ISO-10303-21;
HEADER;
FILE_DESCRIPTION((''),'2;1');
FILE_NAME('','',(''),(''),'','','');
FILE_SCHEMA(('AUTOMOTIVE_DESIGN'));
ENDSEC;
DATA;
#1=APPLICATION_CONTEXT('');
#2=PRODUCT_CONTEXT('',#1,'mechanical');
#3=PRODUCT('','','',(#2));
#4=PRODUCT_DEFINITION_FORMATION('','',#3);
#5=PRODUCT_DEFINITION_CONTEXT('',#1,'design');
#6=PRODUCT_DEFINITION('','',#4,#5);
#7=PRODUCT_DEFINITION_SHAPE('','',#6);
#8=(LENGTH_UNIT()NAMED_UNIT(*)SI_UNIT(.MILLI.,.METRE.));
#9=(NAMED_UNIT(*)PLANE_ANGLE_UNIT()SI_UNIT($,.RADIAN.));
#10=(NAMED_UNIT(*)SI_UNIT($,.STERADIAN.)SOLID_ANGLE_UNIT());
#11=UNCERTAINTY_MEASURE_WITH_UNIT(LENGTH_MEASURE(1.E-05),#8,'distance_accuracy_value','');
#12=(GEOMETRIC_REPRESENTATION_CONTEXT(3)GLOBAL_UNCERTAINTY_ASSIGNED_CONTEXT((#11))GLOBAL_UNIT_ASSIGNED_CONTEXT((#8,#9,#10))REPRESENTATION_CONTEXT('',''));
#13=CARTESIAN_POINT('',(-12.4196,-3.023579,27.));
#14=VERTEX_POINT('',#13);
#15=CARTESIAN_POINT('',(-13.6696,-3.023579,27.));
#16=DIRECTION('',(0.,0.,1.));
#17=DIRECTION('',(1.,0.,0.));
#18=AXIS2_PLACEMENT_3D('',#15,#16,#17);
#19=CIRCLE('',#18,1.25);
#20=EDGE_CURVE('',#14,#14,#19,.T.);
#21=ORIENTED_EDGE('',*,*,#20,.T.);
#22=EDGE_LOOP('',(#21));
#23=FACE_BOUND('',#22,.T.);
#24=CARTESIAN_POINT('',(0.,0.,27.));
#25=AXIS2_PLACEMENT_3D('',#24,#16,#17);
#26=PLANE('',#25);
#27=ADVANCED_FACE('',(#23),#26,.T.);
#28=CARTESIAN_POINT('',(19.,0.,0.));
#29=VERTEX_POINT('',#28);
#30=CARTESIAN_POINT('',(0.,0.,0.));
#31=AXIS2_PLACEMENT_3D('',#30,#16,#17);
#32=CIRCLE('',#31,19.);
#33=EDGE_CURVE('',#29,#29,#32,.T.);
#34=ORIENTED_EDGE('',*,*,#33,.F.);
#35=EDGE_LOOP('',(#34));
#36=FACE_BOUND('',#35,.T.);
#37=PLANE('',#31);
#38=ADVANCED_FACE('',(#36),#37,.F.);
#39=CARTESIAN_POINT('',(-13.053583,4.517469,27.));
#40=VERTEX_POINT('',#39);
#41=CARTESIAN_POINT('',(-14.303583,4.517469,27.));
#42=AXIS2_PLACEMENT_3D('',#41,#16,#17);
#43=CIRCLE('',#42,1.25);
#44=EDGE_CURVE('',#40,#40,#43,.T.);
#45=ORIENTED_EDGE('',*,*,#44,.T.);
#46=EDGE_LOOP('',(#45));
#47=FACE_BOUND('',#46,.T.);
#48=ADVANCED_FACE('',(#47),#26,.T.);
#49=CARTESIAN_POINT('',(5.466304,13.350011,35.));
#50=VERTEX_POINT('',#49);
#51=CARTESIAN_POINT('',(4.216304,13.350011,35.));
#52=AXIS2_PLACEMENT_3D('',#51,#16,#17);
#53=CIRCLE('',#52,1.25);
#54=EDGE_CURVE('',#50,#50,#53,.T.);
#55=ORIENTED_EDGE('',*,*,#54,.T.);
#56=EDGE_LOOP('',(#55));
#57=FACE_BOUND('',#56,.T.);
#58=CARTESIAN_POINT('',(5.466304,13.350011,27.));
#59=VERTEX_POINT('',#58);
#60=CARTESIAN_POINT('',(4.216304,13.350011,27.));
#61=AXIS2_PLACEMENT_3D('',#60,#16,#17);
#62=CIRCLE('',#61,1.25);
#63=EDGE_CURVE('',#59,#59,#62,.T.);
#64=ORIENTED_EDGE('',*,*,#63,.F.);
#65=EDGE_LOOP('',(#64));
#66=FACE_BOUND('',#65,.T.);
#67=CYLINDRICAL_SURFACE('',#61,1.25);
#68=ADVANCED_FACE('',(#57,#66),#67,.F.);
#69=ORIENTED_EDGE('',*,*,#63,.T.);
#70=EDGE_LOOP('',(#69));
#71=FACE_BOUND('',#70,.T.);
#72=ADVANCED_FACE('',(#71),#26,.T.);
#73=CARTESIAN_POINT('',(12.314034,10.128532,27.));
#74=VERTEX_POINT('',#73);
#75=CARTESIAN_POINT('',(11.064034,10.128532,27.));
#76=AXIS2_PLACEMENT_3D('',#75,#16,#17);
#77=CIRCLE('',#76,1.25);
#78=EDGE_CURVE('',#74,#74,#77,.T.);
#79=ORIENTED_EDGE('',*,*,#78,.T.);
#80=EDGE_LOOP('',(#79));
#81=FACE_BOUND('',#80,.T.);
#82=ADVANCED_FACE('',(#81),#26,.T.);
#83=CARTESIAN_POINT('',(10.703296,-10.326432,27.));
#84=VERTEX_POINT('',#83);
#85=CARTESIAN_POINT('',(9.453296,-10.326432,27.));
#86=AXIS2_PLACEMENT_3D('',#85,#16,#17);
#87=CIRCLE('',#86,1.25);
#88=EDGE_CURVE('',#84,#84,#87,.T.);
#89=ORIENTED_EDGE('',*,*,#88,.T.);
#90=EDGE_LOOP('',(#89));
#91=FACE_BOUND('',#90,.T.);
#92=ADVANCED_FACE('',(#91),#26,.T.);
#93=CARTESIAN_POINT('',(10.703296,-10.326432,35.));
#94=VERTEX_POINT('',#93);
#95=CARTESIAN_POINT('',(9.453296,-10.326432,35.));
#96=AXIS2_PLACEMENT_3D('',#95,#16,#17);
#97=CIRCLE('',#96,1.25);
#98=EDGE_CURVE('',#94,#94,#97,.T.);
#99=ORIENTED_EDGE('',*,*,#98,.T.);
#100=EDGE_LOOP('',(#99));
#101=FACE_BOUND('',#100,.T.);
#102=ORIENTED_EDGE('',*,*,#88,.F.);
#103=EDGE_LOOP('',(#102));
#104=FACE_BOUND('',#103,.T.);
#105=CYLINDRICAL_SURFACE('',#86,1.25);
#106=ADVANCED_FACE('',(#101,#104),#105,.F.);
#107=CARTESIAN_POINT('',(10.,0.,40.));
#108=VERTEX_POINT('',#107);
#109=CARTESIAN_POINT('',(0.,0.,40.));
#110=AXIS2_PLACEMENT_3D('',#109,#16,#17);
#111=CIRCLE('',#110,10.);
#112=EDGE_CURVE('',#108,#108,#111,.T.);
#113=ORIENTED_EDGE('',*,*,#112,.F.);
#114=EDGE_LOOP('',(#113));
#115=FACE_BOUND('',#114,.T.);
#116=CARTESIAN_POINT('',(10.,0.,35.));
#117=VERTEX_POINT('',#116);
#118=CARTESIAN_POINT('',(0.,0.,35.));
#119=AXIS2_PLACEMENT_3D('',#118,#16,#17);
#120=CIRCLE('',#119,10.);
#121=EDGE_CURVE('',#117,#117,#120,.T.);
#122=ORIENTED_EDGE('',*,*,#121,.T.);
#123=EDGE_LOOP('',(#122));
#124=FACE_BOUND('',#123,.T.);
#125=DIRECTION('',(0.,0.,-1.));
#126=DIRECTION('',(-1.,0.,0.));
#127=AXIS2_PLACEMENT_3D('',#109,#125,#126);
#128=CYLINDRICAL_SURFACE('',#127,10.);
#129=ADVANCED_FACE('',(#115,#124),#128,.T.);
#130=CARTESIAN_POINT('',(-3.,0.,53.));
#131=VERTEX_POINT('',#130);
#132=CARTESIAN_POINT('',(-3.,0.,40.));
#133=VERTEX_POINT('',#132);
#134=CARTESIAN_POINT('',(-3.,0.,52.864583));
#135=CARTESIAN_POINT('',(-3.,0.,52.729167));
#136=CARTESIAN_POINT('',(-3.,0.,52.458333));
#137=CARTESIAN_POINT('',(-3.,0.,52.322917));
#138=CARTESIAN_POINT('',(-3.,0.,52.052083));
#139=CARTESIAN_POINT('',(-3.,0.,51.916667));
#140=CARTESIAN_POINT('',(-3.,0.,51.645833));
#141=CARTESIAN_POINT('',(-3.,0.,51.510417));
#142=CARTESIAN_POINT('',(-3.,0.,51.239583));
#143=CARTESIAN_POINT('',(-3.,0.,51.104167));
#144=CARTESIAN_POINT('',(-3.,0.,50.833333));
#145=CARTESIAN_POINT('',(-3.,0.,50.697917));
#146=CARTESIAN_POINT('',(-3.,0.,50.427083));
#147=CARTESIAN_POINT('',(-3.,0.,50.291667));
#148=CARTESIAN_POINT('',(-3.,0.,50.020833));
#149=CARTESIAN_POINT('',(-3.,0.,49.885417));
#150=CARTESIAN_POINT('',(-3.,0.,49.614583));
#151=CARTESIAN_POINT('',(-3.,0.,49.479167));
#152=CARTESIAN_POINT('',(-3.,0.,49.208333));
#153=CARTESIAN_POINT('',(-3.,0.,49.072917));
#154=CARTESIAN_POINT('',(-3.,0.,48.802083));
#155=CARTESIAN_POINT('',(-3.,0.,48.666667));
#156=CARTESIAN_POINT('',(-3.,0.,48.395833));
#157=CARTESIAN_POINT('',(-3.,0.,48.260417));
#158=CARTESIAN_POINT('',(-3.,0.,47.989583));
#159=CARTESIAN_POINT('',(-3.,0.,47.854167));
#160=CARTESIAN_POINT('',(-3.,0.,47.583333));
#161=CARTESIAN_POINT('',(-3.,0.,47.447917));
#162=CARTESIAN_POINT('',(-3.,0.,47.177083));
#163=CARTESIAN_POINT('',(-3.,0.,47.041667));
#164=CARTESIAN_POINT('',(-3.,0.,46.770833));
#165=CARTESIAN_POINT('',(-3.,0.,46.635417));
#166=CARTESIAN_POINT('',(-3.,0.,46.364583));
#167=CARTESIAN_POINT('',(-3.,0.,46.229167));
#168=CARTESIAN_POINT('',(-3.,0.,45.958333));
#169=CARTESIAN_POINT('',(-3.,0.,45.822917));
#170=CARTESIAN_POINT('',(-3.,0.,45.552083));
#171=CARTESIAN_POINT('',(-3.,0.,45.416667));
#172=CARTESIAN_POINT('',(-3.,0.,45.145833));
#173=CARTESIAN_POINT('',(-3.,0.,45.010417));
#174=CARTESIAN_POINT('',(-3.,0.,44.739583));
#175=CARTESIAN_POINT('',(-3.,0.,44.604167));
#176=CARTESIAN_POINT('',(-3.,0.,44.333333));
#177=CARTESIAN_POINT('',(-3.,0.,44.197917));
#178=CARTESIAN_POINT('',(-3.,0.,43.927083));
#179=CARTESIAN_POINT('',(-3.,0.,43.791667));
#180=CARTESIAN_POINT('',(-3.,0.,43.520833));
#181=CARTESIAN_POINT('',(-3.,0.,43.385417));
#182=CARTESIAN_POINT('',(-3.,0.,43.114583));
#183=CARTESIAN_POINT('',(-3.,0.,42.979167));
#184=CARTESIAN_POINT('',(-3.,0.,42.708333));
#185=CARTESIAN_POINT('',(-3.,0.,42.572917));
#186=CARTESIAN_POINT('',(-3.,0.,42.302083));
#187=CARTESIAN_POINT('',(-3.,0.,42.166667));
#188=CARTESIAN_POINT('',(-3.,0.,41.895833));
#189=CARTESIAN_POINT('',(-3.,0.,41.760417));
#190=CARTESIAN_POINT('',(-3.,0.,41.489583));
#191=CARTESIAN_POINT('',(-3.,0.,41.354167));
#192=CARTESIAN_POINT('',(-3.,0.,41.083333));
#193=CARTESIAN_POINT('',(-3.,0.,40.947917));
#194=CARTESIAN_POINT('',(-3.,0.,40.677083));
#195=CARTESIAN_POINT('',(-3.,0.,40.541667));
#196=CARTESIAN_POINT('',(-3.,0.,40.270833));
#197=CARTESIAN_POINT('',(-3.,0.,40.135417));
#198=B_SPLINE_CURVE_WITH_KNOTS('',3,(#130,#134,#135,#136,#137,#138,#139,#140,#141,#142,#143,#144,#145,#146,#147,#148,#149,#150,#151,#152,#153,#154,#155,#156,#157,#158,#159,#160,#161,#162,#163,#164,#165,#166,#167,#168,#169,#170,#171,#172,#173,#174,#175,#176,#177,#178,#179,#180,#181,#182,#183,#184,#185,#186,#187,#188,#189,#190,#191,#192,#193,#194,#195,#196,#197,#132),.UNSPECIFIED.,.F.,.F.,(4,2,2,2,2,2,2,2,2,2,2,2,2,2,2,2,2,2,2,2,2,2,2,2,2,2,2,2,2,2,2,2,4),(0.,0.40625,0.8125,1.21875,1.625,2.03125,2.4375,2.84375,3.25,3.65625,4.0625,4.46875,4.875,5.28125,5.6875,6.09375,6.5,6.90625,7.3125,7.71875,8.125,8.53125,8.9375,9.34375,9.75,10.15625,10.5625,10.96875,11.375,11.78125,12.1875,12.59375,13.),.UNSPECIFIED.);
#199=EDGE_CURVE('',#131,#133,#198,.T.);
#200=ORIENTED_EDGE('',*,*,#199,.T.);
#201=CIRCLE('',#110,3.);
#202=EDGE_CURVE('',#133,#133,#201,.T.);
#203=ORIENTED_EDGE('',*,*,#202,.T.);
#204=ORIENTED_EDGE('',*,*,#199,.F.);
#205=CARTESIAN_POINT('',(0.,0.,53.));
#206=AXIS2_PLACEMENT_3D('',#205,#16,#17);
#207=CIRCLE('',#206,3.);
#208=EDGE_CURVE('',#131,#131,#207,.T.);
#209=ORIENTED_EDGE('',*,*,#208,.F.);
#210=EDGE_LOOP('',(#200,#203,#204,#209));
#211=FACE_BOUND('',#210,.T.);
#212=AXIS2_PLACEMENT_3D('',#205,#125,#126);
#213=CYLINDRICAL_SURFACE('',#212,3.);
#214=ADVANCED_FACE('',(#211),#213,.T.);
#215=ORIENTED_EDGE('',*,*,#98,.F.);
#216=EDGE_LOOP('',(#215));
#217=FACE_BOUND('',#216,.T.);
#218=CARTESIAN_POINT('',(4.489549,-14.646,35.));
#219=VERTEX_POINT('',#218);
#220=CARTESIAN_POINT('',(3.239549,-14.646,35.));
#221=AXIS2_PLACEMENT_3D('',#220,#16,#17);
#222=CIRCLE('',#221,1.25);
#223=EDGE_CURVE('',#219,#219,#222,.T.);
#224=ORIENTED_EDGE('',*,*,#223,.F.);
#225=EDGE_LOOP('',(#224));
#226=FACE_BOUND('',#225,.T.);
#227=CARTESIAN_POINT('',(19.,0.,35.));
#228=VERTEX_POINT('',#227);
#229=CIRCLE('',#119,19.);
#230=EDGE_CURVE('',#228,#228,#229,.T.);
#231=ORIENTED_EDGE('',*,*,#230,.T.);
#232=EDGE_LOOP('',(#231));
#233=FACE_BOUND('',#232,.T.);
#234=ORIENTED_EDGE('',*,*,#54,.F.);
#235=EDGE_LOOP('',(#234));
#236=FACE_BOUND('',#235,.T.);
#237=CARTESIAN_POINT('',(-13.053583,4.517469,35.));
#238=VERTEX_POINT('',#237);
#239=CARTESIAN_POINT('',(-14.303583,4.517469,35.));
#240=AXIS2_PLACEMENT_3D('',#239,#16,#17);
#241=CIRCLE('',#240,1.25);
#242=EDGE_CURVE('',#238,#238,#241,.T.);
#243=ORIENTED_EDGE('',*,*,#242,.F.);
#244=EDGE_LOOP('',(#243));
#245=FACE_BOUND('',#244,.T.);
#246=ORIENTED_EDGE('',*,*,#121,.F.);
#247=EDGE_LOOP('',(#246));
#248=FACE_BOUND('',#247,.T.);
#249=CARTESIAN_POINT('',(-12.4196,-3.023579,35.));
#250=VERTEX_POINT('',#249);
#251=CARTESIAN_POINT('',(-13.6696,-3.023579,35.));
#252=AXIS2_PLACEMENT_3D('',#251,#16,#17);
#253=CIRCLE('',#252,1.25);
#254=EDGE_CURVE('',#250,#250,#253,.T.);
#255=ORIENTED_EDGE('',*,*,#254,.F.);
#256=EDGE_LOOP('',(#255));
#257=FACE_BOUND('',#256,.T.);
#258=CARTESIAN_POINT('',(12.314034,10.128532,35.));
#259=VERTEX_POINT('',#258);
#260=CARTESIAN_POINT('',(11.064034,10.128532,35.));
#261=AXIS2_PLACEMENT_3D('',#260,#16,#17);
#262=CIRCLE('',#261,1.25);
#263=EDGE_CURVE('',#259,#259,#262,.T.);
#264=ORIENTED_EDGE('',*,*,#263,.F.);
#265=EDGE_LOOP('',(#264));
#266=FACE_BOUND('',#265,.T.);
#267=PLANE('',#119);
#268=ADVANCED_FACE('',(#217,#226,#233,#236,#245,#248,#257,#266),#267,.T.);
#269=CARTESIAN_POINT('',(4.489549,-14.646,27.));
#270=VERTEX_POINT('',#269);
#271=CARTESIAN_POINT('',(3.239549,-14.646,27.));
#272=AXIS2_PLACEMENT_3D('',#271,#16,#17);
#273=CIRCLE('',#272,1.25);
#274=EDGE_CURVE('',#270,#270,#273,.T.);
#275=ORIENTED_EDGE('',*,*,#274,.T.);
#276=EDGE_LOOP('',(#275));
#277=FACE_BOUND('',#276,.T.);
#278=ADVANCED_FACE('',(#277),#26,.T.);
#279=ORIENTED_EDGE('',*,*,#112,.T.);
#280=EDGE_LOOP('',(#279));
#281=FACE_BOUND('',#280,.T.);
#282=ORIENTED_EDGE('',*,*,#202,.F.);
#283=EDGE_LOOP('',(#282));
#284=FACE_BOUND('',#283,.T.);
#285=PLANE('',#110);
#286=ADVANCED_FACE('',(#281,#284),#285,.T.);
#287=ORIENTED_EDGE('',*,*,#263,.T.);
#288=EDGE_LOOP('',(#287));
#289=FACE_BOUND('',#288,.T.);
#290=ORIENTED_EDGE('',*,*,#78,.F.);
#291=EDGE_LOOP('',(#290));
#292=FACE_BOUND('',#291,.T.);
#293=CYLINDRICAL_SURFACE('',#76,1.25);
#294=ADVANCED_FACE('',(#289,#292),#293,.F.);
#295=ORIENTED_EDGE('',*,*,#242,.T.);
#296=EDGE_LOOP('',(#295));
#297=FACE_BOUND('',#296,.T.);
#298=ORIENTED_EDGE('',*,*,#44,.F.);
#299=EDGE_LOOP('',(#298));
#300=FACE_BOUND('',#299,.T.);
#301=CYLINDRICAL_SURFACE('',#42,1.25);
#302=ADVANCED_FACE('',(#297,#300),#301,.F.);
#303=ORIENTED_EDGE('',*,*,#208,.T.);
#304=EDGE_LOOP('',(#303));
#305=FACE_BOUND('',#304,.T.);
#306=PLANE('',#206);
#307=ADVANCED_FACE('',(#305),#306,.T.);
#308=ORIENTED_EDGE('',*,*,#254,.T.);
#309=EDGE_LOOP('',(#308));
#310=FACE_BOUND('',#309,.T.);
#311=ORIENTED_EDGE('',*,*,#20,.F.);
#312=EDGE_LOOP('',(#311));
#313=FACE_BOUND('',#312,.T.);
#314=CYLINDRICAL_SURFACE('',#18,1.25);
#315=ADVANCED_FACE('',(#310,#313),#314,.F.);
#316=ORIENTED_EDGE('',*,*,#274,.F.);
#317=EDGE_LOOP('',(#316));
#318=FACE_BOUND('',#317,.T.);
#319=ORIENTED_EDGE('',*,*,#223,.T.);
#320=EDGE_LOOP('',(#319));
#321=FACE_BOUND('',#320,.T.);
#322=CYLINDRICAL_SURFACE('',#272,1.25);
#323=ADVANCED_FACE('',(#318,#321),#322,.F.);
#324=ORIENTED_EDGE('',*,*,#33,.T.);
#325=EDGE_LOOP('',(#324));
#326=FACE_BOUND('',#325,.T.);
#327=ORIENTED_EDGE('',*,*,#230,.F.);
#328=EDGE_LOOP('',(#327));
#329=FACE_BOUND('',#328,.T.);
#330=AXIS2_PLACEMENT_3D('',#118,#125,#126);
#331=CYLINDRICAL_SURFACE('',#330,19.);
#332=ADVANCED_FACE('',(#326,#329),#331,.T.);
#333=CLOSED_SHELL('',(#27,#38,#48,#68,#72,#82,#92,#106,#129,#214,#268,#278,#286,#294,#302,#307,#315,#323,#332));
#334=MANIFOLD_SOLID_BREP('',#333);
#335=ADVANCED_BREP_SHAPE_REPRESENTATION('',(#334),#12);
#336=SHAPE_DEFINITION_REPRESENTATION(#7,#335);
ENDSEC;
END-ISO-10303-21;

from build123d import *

# Parameters (mm, degrees)
ESQUISSE1_R             = 19
BOSS_EXTRU_1_DEPTH      = 35
ESQUISSE2_R             = 10
BOSS_EXTRU_2_DEPTH      = 5
ESQUISSE3_R             = 3
BOSS_EXTRU_3_DEPTH      = 13
ESQUISSE4_R             = 1.25
ENL_V_MAT_EXTRU_1_DEPTH = 8


with BuildPart() as part:
    # Esquisse1 → Boss.-Extru.1 (new body)
    with BuildSketch(Plane.XY):
        Circle(ESQUISSE1_R)
    extrude(amount=BOSS_EXTRU_1_DEPTH)

    # Esquisse2 → Boss.-Extru.2 (add)
    with BuildSketch(Plane.XY.offset(35)):
        Circle(ESQUISSE2_R)
    extrude(amount=BOSS_EXTRU_2_DEPTH)

    # Esquisse3 → Boss.-Extru.3 (add)
    with BuildSketch(Plane.XY.offset(40)):
        with Locations(Location((0, 0, 0), (0, 0, 180))):
            Circle(ESQUISSE3_R)
    extrude(amount=BOSS_EXTRU_3_DEPTH)

    # Esquisse4 → Enlèv. mat.-Extru.1 (cut)
    with BuildSketch(Plane.XY.offset(35)):
        with Locations((3.239548848, -14.646000248)):
            Circle(ESQUISSE4_R)
        with Locations((9.453296275, -10.326431598)):
            Circle(ESQUISSE4_R)
        with Locations((-13.669600231, -3.023578925)):
            Circle(ESQUISSE4_R)
        with Locations((-14.303582703, 4.517468525)):
            Circle(ESQUISSE4_R)
        with Locations((4.216303956, 13.350010522)):
            Circle(ESQUISSE4_R)
        with Locations((11.064033854, 10.128531723)):
            Circle(ESQUISSE4_R)
    extrude(amount=-ENL_V_MAT_EXTRU_1_DEPTH, mode=Mode.SUBTRACT)


solid = part.part
